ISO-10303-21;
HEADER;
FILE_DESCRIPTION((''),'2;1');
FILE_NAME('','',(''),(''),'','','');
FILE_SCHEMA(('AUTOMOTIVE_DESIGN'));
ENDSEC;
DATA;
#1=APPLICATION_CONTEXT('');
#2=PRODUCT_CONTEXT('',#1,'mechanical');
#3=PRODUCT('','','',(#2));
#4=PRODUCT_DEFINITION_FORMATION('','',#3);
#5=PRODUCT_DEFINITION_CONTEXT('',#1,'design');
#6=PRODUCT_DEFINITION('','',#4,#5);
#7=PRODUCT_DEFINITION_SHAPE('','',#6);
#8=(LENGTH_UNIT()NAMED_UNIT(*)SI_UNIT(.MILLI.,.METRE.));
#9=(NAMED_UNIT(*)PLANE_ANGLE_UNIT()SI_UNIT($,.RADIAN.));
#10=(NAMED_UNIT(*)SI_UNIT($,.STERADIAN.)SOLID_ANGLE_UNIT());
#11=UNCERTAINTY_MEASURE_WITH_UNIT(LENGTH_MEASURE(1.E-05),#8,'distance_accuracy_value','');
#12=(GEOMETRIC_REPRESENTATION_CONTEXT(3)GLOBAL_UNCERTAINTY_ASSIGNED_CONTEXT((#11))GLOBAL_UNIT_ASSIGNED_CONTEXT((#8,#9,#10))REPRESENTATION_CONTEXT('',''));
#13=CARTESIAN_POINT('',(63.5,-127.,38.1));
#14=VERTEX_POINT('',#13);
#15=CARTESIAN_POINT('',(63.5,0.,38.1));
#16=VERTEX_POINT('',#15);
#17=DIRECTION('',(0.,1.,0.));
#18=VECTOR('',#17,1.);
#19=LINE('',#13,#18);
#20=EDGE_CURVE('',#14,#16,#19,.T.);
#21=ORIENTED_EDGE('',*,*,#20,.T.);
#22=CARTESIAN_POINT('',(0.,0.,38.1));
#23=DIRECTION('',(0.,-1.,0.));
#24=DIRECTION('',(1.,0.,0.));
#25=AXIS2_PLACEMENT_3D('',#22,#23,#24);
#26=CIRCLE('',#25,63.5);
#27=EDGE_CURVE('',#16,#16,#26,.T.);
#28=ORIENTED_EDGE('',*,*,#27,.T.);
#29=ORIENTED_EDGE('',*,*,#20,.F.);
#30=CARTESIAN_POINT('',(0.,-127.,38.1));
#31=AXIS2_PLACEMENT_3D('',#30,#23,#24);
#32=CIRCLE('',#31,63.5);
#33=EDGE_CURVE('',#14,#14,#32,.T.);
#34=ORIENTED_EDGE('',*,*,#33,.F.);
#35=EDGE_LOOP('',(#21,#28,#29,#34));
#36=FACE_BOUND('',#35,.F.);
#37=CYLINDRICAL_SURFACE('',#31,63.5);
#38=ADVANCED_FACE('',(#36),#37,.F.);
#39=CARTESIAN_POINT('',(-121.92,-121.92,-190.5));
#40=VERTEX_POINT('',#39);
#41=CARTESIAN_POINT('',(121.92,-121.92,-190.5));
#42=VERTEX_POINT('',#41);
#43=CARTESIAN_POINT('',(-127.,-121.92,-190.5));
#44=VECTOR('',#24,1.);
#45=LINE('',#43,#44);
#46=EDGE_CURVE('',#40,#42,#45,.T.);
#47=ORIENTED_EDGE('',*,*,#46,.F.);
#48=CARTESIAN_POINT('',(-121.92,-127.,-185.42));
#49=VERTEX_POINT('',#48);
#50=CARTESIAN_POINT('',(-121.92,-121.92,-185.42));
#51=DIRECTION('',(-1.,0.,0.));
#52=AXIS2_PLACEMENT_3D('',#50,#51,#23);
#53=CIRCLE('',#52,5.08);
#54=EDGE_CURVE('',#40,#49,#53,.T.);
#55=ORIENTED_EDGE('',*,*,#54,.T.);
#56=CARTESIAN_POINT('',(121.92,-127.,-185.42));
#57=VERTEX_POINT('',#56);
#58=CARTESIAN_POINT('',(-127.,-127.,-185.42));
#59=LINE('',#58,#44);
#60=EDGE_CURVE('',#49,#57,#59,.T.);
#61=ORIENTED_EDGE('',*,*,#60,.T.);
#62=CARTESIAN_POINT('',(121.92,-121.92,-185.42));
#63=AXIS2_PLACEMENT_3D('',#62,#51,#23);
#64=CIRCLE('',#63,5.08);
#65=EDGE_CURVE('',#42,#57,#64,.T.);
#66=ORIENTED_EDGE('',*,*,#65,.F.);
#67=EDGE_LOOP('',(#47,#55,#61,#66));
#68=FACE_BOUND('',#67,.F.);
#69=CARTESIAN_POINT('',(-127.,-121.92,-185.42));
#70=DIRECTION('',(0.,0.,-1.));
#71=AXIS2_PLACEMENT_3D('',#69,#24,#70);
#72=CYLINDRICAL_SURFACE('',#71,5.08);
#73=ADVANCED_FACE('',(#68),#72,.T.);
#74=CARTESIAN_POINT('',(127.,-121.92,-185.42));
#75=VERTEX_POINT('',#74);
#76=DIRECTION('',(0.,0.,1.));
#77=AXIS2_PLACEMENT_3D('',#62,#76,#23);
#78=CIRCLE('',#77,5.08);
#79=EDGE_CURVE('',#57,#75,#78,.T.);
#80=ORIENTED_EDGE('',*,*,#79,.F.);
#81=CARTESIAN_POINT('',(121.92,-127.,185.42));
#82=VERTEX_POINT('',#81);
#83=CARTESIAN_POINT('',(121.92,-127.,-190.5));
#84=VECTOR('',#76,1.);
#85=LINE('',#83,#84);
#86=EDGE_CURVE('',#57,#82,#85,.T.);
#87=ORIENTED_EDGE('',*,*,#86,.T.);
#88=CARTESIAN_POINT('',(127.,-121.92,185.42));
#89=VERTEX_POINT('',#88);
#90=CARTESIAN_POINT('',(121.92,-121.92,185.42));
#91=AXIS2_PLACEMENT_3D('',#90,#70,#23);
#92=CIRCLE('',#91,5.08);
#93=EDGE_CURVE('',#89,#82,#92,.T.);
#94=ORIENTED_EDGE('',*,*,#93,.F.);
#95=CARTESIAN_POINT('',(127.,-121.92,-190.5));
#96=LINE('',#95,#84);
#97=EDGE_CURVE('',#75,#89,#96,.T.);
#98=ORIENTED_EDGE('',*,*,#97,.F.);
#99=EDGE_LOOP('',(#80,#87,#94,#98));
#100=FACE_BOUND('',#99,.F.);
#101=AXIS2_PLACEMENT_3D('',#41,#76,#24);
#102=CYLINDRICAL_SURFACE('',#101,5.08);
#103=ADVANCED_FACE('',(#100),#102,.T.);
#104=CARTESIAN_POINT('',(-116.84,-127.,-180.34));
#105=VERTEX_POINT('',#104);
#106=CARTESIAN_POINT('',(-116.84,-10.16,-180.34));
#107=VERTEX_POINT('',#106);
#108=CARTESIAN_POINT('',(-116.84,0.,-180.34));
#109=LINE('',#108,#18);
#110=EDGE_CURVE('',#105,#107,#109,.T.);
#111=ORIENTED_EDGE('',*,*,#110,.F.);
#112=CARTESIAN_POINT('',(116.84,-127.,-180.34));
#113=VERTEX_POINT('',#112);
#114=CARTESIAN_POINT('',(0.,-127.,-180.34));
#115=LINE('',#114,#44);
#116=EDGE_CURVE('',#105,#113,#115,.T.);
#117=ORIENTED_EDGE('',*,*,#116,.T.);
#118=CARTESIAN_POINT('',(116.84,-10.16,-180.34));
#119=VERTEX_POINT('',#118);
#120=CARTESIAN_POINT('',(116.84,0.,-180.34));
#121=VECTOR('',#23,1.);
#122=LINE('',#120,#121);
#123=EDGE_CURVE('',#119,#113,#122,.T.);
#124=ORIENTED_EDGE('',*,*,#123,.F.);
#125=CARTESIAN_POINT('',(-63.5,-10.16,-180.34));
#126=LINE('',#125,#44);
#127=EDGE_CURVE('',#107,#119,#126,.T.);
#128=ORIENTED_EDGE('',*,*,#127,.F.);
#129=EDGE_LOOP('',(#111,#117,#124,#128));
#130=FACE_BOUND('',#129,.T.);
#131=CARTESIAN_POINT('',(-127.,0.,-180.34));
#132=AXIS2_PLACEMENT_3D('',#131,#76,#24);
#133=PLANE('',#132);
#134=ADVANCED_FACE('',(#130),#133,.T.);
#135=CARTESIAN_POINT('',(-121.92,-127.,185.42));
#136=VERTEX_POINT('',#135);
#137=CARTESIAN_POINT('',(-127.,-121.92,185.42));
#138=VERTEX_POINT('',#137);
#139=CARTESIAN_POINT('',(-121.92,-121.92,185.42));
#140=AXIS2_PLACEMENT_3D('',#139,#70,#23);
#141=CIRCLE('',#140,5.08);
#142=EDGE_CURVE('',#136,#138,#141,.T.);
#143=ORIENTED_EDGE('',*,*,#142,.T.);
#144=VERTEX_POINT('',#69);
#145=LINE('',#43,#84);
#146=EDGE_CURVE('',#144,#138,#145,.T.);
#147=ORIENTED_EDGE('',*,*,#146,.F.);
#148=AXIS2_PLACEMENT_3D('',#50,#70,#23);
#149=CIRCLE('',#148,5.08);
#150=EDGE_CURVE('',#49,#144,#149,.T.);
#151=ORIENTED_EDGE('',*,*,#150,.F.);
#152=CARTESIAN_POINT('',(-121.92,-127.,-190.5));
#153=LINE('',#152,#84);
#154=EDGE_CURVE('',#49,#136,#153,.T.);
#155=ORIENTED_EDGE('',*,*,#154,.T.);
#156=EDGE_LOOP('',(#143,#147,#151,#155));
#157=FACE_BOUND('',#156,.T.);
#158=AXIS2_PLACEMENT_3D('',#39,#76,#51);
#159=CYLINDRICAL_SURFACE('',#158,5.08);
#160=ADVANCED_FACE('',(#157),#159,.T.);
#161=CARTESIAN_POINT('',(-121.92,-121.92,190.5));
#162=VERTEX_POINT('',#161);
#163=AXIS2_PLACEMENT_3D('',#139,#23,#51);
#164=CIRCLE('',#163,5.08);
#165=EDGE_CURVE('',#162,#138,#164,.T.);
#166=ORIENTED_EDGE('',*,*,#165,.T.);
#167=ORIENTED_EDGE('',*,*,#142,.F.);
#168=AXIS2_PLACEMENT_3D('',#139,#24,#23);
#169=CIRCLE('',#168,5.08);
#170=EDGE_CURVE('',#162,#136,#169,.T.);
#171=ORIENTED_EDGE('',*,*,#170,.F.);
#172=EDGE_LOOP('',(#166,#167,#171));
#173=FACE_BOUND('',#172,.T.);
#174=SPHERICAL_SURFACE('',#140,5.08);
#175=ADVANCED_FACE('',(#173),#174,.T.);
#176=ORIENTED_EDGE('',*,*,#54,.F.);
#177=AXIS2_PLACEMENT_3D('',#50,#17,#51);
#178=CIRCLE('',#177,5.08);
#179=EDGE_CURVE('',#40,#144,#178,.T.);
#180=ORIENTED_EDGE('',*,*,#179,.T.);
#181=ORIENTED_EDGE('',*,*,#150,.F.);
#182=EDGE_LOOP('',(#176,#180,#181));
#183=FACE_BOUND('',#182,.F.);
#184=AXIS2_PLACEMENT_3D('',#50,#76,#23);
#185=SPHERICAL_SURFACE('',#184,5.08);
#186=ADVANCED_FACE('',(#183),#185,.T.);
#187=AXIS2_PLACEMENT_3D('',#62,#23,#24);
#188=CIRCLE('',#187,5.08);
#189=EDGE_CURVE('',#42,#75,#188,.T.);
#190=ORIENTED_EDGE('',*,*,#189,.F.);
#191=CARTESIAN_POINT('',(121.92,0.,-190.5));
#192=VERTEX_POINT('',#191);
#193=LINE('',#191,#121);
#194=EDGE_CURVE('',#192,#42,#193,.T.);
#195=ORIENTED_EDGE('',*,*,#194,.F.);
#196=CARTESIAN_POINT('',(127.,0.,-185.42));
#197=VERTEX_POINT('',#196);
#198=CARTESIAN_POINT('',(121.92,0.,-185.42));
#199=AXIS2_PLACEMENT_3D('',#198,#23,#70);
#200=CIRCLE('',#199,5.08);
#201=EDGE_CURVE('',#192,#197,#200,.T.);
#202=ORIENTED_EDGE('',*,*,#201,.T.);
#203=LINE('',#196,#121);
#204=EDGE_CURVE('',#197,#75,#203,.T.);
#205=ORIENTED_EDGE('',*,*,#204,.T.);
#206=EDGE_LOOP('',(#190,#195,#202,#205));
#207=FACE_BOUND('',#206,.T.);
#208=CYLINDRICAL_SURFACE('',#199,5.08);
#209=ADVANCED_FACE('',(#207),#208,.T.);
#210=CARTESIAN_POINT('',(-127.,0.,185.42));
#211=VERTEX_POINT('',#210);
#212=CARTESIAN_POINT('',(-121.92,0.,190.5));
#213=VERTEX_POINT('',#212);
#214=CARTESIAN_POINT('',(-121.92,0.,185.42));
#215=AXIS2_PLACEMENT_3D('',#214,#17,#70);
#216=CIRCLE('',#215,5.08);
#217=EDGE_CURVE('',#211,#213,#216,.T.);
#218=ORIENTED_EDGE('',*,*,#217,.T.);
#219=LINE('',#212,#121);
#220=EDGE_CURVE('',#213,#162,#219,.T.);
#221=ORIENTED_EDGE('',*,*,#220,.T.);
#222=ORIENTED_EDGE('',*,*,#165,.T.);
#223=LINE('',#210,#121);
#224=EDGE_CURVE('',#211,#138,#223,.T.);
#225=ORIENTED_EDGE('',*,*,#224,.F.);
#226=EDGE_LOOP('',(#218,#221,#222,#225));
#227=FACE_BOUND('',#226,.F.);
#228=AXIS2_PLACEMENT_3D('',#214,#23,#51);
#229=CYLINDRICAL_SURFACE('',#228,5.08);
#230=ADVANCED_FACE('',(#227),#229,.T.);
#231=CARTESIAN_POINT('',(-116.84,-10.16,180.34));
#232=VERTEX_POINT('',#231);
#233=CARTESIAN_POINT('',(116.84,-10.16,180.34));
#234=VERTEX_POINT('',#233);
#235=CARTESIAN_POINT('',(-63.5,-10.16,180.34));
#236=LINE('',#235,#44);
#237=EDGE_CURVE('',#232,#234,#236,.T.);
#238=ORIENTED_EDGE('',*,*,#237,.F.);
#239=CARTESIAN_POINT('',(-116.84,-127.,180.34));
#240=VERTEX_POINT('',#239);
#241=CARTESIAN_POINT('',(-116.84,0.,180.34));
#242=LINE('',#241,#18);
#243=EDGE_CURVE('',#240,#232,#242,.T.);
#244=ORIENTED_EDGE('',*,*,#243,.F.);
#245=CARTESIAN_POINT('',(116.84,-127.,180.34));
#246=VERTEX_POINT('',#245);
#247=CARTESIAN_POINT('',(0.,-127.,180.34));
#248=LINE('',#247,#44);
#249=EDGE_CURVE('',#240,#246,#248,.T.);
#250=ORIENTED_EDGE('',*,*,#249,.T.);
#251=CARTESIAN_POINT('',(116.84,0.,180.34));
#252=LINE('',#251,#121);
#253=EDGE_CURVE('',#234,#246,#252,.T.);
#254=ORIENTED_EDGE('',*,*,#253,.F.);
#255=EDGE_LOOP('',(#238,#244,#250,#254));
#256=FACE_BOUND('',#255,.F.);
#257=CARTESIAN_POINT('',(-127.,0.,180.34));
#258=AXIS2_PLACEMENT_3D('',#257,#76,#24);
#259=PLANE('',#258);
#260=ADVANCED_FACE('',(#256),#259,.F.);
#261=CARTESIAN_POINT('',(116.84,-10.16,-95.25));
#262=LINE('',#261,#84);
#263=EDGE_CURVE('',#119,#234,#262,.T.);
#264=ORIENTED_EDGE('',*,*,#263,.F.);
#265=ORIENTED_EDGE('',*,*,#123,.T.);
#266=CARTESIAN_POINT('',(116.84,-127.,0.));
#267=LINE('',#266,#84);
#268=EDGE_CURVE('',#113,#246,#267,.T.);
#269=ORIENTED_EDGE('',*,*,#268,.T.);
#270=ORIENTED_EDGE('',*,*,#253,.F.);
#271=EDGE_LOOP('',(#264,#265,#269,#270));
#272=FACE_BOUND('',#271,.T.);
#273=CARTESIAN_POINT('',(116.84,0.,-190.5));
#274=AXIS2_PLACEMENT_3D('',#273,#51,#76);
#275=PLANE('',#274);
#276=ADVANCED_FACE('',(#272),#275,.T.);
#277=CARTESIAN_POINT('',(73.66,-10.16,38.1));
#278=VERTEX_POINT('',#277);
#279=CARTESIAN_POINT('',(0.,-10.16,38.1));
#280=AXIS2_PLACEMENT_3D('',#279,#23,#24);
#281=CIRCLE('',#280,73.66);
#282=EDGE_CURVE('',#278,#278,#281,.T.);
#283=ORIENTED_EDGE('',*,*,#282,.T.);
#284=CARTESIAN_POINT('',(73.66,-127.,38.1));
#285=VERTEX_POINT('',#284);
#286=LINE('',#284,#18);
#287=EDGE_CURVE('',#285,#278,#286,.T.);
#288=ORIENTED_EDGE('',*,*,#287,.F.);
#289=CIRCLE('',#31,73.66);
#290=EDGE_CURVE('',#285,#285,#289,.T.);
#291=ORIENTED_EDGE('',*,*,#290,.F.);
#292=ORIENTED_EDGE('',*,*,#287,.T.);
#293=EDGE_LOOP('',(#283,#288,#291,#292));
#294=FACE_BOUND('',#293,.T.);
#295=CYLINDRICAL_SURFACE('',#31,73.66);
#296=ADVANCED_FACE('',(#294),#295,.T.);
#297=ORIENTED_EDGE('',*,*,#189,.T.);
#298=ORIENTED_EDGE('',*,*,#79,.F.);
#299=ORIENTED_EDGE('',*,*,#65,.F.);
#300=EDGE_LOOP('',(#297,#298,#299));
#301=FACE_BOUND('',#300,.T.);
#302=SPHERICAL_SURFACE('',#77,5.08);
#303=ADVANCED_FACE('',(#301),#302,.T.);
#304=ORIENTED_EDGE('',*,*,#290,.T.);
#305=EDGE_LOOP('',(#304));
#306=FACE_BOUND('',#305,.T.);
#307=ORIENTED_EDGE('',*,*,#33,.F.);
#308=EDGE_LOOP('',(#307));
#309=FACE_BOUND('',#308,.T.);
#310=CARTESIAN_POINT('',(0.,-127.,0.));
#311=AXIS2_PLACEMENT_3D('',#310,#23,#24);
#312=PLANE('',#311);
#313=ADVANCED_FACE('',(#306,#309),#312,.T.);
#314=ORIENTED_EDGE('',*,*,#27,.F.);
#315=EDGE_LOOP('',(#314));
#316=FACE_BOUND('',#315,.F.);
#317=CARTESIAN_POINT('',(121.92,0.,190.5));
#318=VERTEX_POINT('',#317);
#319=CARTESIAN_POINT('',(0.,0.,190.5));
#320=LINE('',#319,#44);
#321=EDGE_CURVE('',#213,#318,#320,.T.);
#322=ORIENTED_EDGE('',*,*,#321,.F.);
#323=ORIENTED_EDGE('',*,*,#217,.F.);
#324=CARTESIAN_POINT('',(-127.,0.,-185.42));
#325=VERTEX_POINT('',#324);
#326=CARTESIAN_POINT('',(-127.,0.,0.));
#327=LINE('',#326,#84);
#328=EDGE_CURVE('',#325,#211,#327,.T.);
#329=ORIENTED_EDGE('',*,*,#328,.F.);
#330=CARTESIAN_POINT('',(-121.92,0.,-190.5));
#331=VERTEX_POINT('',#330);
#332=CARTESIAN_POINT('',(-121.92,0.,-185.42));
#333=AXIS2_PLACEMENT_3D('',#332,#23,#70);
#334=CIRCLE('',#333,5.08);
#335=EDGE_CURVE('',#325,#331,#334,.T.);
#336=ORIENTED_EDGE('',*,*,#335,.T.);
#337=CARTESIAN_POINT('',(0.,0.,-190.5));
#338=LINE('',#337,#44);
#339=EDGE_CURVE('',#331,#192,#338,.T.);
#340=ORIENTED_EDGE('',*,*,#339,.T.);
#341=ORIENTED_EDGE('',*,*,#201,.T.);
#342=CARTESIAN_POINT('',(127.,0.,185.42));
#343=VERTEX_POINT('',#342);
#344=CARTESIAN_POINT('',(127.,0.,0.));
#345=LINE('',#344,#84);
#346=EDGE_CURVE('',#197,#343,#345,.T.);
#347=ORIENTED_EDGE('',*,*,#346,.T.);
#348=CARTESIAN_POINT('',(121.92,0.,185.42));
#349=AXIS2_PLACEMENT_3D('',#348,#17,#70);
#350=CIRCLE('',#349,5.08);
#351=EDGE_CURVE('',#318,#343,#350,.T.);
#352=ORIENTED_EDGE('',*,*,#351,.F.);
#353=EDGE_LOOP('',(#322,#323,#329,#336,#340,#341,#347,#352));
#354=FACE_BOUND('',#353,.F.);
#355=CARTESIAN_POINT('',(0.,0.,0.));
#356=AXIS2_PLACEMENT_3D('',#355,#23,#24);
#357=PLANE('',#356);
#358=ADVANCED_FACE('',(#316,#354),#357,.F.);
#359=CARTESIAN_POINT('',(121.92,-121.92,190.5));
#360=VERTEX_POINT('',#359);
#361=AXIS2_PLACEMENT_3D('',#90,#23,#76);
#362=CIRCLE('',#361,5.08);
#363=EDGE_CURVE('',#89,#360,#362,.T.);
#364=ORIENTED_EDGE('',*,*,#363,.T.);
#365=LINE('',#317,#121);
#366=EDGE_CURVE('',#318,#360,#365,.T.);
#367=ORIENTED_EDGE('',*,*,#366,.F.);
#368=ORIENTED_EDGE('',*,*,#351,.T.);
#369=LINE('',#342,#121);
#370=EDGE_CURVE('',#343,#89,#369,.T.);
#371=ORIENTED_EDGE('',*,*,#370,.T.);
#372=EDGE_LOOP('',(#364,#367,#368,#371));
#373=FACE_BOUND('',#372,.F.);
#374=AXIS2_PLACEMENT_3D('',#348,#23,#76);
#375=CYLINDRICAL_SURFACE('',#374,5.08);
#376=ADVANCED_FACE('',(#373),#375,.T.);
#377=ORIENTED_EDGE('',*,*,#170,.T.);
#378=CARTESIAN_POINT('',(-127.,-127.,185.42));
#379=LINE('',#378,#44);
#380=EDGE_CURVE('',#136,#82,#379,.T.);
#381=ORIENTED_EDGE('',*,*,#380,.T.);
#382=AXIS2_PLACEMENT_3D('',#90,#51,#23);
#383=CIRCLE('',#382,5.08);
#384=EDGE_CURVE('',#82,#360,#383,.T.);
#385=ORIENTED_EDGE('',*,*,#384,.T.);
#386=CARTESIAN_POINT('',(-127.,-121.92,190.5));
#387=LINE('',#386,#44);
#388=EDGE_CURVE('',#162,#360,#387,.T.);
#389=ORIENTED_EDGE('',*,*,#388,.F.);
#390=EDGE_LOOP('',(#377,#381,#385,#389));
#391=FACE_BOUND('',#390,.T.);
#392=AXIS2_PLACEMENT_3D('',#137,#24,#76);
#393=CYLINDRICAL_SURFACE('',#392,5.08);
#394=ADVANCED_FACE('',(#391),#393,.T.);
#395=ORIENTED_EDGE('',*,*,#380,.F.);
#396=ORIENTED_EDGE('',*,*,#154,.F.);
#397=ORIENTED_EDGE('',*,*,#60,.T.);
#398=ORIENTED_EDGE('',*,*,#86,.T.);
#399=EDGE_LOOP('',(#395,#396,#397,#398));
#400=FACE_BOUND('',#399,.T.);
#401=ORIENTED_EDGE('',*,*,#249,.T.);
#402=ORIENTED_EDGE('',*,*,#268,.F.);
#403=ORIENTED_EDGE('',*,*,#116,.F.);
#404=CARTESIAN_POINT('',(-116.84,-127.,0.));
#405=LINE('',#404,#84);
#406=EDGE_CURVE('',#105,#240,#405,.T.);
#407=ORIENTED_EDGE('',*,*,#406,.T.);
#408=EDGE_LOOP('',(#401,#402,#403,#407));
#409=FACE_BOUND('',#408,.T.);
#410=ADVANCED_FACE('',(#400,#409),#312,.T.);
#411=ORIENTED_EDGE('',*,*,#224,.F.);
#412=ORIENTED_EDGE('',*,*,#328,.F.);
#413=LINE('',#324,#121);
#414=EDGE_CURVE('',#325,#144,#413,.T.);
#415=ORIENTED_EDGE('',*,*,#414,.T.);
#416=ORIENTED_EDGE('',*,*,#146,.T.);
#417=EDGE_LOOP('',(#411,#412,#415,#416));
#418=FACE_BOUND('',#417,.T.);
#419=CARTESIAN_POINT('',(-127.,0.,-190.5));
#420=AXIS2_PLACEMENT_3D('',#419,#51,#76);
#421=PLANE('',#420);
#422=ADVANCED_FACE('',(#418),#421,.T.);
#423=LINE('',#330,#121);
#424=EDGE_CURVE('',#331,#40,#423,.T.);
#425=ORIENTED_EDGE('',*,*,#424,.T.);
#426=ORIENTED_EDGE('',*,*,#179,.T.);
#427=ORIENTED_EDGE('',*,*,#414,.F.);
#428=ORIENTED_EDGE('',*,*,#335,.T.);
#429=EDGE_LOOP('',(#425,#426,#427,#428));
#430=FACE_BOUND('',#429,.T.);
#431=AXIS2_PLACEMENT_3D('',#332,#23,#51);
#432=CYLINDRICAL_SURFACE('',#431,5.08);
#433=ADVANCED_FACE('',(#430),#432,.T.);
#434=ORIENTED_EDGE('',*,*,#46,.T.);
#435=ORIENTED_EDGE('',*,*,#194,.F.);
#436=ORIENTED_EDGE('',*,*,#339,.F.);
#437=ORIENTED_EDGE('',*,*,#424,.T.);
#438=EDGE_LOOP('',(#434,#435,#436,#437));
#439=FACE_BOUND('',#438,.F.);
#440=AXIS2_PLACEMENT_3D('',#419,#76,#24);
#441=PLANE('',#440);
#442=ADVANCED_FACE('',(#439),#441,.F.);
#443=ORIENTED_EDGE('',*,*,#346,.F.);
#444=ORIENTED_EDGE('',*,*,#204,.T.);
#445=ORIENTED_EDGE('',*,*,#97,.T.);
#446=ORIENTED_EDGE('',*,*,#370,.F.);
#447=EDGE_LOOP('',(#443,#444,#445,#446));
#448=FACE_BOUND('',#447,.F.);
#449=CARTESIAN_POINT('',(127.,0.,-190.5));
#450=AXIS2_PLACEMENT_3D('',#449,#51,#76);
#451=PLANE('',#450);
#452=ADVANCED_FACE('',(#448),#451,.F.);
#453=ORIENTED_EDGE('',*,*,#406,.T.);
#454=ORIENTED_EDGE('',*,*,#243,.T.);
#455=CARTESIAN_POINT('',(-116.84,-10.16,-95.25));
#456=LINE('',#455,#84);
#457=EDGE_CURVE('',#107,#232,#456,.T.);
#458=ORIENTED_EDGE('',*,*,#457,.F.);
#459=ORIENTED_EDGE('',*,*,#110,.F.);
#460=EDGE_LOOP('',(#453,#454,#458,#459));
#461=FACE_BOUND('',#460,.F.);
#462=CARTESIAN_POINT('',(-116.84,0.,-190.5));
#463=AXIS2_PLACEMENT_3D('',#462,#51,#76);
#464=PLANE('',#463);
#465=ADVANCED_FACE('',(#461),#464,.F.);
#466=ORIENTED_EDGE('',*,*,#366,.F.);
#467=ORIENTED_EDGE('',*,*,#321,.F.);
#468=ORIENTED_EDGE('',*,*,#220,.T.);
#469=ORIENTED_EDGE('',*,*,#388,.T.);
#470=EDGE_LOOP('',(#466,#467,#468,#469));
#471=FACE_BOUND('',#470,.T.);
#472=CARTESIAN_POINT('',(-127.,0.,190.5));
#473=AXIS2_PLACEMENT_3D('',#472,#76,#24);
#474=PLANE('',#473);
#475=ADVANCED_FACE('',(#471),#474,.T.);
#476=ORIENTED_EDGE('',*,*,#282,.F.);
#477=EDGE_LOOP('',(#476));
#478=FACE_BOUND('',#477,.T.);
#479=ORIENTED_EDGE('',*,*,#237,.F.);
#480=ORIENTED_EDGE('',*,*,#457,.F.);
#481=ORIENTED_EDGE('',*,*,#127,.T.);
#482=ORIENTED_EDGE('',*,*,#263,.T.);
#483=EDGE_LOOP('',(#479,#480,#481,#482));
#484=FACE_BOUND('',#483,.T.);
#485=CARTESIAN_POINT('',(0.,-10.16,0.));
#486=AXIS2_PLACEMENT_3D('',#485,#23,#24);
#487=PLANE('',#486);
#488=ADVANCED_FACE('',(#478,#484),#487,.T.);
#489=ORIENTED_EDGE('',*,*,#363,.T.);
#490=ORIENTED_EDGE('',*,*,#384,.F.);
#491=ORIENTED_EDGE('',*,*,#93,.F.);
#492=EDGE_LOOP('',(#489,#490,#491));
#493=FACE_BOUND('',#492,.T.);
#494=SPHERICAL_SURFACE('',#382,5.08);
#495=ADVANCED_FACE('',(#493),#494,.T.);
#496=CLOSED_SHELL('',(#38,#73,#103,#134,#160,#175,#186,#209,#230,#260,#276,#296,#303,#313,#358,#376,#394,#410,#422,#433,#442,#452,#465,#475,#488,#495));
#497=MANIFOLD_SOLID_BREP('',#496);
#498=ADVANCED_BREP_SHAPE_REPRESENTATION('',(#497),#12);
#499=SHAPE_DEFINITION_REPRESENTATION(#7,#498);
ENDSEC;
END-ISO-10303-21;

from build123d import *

# Parameters (mm, degrees)
F0_W     = 254
F0_H     = 381
F1_DEPTH = 127
F2_R     = 63.5
F3_DEPTH = 127.001
F4_T     = -10.16
F5_R     = 5.08


with BuildPart() as f1:
    # F0 (on Front) → F1 (new body)
    with BuildSketch(Plane.XZ):
        Rectangle(F0_W, F0_H)
    extrude(amount=F1_DEPTH)

    # F2 (on face) → F3 (cut, through all)
    with BuildSketch(Plane.XZ.offset(127)):
        with Locations((0, 38.1)):
            Circle(F2_R)
    extrude(amount=-F3_DEPTH, mode=Mode.SUBTRACT)

    # F4
    f4_openings = [f1.faces().sort_by_distance(p)[0] for p in [
        (0, -127, -185.92095),
    ]]
    offset(amount=F4_T, openings=f4_openings)

    # F5
    f5_edges = [f1.edges().sort_by_distance(p)[0] for p in [
        (-127, -127, 0),
        (0, -127, 190.5),
        (127, -127, 0),
        (0, -127, -190.5),
        (127, -63.5, -190.5),
        (127, -63.5, 190.5),
        (-127, -63.5, 190.5),
        (-127, -63.5, -190.5),
    ]]
    fillet(f5_edges, radius=F5_R)


solid = f1.part
